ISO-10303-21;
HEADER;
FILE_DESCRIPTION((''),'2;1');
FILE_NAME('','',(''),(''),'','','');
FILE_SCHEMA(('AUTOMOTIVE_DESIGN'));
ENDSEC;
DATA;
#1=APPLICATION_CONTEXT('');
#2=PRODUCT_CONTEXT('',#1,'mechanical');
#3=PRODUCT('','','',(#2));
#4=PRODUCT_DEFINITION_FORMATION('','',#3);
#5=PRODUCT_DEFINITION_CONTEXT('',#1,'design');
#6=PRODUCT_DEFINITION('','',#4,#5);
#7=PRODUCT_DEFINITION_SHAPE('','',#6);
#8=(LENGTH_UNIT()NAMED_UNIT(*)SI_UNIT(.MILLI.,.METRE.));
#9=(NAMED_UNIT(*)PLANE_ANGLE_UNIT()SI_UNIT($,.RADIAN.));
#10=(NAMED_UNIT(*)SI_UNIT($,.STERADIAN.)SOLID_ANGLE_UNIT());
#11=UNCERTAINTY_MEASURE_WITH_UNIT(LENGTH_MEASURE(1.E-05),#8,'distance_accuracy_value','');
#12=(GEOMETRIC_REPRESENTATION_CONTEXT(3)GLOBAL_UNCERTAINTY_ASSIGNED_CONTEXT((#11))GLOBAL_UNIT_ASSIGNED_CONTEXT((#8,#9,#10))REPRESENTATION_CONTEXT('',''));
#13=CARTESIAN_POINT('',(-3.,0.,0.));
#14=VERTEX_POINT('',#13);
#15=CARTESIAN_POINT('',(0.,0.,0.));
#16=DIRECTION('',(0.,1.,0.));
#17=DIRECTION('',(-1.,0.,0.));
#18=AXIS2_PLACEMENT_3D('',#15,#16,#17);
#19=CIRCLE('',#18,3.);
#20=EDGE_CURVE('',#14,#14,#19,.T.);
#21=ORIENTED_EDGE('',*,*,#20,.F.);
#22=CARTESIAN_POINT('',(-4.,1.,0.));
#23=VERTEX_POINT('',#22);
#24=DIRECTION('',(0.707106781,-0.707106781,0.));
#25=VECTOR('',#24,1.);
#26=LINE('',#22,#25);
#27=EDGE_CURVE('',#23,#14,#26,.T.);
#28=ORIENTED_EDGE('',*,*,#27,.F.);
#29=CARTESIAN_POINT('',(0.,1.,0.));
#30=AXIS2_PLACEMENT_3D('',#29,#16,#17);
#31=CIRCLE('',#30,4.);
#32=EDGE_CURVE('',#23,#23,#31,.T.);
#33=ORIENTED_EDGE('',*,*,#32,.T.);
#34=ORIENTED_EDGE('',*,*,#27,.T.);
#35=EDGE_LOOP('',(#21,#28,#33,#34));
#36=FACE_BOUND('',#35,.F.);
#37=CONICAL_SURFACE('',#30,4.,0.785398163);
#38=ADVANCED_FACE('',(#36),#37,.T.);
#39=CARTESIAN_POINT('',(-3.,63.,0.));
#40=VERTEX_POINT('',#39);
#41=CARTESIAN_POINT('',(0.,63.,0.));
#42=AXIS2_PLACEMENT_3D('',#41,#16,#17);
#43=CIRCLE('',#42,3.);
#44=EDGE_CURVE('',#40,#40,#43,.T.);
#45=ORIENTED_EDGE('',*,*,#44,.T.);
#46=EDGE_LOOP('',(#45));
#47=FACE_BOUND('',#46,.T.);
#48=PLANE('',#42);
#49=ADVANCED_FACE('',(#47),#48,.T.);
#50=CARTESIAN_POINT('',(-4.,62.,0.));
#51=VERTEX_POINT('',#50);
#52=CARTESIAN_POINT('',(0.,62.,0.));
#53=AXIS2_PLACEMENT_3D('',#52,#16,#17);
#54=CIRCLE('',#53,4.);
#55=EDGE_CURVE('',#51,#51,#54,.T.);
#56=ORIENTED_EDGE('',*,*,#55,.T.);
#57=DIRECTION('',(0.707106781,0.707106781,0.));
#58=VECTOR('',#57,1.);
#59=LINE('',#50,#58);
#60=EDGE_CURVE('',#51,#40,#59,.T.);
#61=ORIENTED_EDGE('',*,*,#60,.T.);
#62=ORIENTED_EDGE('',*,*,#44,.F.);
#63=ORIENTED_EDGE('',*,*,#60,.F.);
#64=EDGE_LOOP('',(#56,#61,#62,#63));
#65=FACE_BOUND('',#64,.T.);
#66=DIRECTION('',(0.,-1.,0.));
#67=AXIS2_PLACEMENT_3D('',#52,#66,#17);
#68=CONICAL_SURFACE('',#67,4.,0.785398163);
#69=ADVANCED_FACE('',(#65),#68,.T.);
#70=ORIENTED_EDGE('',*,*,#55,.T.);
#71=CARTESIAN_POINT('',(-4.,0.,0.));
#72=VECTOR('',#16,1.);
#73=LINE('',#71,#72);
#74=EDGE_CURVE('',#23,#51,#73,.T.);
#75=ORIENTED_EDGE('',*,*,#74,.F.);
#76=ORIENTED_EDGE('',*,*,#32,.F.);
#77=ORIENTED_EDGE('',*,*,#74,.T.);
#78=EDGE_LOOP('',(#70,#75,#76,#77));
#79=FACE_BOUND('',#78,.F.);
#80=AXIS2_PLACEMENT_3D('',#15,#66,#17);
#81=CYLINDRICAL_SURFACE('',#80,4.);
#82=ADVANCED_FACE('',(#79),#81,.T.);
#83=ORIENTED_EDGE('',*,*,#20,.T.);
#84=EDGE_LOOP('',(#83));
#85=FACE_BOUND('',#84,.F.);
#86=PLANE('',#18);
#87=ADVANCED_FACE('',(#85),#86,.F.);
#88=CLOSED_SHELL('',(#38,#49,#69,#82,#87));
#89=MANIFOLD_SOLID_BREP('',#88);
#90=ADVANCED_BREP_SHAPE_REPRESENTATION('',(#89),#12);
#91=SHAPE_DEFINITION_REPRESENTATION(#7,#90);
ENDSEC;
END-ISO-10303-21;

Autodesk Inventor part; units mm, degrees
ref_plane "YZ Plane" through (0, 0, 0) normal (1, 0, 0) x (0, 1, 0)
ref_plane "XZ Plane" through (0, 0, 0) normal (0, 1, 0) x (-1, 0, 0)
ref_plane "XY Plane" through (0, 0, 0) normal (0, 0, 1) x (1, 0, 0)
sketch "Sketch1" plane through (0, 0, 0) normal (0, 1, 0) x (-1, 0, 0)
  circle A0 centre (0, 0) radius 4
  dimension "d0" = 8
extrude "Extrusion1" add sketch "Sketch1" along normal blind 63
chamfer "Chamfer1" distance 1 angle 45 2 edges at (4, 0, 0) (4, 63, 0)
properties part number "inox_63mm"
